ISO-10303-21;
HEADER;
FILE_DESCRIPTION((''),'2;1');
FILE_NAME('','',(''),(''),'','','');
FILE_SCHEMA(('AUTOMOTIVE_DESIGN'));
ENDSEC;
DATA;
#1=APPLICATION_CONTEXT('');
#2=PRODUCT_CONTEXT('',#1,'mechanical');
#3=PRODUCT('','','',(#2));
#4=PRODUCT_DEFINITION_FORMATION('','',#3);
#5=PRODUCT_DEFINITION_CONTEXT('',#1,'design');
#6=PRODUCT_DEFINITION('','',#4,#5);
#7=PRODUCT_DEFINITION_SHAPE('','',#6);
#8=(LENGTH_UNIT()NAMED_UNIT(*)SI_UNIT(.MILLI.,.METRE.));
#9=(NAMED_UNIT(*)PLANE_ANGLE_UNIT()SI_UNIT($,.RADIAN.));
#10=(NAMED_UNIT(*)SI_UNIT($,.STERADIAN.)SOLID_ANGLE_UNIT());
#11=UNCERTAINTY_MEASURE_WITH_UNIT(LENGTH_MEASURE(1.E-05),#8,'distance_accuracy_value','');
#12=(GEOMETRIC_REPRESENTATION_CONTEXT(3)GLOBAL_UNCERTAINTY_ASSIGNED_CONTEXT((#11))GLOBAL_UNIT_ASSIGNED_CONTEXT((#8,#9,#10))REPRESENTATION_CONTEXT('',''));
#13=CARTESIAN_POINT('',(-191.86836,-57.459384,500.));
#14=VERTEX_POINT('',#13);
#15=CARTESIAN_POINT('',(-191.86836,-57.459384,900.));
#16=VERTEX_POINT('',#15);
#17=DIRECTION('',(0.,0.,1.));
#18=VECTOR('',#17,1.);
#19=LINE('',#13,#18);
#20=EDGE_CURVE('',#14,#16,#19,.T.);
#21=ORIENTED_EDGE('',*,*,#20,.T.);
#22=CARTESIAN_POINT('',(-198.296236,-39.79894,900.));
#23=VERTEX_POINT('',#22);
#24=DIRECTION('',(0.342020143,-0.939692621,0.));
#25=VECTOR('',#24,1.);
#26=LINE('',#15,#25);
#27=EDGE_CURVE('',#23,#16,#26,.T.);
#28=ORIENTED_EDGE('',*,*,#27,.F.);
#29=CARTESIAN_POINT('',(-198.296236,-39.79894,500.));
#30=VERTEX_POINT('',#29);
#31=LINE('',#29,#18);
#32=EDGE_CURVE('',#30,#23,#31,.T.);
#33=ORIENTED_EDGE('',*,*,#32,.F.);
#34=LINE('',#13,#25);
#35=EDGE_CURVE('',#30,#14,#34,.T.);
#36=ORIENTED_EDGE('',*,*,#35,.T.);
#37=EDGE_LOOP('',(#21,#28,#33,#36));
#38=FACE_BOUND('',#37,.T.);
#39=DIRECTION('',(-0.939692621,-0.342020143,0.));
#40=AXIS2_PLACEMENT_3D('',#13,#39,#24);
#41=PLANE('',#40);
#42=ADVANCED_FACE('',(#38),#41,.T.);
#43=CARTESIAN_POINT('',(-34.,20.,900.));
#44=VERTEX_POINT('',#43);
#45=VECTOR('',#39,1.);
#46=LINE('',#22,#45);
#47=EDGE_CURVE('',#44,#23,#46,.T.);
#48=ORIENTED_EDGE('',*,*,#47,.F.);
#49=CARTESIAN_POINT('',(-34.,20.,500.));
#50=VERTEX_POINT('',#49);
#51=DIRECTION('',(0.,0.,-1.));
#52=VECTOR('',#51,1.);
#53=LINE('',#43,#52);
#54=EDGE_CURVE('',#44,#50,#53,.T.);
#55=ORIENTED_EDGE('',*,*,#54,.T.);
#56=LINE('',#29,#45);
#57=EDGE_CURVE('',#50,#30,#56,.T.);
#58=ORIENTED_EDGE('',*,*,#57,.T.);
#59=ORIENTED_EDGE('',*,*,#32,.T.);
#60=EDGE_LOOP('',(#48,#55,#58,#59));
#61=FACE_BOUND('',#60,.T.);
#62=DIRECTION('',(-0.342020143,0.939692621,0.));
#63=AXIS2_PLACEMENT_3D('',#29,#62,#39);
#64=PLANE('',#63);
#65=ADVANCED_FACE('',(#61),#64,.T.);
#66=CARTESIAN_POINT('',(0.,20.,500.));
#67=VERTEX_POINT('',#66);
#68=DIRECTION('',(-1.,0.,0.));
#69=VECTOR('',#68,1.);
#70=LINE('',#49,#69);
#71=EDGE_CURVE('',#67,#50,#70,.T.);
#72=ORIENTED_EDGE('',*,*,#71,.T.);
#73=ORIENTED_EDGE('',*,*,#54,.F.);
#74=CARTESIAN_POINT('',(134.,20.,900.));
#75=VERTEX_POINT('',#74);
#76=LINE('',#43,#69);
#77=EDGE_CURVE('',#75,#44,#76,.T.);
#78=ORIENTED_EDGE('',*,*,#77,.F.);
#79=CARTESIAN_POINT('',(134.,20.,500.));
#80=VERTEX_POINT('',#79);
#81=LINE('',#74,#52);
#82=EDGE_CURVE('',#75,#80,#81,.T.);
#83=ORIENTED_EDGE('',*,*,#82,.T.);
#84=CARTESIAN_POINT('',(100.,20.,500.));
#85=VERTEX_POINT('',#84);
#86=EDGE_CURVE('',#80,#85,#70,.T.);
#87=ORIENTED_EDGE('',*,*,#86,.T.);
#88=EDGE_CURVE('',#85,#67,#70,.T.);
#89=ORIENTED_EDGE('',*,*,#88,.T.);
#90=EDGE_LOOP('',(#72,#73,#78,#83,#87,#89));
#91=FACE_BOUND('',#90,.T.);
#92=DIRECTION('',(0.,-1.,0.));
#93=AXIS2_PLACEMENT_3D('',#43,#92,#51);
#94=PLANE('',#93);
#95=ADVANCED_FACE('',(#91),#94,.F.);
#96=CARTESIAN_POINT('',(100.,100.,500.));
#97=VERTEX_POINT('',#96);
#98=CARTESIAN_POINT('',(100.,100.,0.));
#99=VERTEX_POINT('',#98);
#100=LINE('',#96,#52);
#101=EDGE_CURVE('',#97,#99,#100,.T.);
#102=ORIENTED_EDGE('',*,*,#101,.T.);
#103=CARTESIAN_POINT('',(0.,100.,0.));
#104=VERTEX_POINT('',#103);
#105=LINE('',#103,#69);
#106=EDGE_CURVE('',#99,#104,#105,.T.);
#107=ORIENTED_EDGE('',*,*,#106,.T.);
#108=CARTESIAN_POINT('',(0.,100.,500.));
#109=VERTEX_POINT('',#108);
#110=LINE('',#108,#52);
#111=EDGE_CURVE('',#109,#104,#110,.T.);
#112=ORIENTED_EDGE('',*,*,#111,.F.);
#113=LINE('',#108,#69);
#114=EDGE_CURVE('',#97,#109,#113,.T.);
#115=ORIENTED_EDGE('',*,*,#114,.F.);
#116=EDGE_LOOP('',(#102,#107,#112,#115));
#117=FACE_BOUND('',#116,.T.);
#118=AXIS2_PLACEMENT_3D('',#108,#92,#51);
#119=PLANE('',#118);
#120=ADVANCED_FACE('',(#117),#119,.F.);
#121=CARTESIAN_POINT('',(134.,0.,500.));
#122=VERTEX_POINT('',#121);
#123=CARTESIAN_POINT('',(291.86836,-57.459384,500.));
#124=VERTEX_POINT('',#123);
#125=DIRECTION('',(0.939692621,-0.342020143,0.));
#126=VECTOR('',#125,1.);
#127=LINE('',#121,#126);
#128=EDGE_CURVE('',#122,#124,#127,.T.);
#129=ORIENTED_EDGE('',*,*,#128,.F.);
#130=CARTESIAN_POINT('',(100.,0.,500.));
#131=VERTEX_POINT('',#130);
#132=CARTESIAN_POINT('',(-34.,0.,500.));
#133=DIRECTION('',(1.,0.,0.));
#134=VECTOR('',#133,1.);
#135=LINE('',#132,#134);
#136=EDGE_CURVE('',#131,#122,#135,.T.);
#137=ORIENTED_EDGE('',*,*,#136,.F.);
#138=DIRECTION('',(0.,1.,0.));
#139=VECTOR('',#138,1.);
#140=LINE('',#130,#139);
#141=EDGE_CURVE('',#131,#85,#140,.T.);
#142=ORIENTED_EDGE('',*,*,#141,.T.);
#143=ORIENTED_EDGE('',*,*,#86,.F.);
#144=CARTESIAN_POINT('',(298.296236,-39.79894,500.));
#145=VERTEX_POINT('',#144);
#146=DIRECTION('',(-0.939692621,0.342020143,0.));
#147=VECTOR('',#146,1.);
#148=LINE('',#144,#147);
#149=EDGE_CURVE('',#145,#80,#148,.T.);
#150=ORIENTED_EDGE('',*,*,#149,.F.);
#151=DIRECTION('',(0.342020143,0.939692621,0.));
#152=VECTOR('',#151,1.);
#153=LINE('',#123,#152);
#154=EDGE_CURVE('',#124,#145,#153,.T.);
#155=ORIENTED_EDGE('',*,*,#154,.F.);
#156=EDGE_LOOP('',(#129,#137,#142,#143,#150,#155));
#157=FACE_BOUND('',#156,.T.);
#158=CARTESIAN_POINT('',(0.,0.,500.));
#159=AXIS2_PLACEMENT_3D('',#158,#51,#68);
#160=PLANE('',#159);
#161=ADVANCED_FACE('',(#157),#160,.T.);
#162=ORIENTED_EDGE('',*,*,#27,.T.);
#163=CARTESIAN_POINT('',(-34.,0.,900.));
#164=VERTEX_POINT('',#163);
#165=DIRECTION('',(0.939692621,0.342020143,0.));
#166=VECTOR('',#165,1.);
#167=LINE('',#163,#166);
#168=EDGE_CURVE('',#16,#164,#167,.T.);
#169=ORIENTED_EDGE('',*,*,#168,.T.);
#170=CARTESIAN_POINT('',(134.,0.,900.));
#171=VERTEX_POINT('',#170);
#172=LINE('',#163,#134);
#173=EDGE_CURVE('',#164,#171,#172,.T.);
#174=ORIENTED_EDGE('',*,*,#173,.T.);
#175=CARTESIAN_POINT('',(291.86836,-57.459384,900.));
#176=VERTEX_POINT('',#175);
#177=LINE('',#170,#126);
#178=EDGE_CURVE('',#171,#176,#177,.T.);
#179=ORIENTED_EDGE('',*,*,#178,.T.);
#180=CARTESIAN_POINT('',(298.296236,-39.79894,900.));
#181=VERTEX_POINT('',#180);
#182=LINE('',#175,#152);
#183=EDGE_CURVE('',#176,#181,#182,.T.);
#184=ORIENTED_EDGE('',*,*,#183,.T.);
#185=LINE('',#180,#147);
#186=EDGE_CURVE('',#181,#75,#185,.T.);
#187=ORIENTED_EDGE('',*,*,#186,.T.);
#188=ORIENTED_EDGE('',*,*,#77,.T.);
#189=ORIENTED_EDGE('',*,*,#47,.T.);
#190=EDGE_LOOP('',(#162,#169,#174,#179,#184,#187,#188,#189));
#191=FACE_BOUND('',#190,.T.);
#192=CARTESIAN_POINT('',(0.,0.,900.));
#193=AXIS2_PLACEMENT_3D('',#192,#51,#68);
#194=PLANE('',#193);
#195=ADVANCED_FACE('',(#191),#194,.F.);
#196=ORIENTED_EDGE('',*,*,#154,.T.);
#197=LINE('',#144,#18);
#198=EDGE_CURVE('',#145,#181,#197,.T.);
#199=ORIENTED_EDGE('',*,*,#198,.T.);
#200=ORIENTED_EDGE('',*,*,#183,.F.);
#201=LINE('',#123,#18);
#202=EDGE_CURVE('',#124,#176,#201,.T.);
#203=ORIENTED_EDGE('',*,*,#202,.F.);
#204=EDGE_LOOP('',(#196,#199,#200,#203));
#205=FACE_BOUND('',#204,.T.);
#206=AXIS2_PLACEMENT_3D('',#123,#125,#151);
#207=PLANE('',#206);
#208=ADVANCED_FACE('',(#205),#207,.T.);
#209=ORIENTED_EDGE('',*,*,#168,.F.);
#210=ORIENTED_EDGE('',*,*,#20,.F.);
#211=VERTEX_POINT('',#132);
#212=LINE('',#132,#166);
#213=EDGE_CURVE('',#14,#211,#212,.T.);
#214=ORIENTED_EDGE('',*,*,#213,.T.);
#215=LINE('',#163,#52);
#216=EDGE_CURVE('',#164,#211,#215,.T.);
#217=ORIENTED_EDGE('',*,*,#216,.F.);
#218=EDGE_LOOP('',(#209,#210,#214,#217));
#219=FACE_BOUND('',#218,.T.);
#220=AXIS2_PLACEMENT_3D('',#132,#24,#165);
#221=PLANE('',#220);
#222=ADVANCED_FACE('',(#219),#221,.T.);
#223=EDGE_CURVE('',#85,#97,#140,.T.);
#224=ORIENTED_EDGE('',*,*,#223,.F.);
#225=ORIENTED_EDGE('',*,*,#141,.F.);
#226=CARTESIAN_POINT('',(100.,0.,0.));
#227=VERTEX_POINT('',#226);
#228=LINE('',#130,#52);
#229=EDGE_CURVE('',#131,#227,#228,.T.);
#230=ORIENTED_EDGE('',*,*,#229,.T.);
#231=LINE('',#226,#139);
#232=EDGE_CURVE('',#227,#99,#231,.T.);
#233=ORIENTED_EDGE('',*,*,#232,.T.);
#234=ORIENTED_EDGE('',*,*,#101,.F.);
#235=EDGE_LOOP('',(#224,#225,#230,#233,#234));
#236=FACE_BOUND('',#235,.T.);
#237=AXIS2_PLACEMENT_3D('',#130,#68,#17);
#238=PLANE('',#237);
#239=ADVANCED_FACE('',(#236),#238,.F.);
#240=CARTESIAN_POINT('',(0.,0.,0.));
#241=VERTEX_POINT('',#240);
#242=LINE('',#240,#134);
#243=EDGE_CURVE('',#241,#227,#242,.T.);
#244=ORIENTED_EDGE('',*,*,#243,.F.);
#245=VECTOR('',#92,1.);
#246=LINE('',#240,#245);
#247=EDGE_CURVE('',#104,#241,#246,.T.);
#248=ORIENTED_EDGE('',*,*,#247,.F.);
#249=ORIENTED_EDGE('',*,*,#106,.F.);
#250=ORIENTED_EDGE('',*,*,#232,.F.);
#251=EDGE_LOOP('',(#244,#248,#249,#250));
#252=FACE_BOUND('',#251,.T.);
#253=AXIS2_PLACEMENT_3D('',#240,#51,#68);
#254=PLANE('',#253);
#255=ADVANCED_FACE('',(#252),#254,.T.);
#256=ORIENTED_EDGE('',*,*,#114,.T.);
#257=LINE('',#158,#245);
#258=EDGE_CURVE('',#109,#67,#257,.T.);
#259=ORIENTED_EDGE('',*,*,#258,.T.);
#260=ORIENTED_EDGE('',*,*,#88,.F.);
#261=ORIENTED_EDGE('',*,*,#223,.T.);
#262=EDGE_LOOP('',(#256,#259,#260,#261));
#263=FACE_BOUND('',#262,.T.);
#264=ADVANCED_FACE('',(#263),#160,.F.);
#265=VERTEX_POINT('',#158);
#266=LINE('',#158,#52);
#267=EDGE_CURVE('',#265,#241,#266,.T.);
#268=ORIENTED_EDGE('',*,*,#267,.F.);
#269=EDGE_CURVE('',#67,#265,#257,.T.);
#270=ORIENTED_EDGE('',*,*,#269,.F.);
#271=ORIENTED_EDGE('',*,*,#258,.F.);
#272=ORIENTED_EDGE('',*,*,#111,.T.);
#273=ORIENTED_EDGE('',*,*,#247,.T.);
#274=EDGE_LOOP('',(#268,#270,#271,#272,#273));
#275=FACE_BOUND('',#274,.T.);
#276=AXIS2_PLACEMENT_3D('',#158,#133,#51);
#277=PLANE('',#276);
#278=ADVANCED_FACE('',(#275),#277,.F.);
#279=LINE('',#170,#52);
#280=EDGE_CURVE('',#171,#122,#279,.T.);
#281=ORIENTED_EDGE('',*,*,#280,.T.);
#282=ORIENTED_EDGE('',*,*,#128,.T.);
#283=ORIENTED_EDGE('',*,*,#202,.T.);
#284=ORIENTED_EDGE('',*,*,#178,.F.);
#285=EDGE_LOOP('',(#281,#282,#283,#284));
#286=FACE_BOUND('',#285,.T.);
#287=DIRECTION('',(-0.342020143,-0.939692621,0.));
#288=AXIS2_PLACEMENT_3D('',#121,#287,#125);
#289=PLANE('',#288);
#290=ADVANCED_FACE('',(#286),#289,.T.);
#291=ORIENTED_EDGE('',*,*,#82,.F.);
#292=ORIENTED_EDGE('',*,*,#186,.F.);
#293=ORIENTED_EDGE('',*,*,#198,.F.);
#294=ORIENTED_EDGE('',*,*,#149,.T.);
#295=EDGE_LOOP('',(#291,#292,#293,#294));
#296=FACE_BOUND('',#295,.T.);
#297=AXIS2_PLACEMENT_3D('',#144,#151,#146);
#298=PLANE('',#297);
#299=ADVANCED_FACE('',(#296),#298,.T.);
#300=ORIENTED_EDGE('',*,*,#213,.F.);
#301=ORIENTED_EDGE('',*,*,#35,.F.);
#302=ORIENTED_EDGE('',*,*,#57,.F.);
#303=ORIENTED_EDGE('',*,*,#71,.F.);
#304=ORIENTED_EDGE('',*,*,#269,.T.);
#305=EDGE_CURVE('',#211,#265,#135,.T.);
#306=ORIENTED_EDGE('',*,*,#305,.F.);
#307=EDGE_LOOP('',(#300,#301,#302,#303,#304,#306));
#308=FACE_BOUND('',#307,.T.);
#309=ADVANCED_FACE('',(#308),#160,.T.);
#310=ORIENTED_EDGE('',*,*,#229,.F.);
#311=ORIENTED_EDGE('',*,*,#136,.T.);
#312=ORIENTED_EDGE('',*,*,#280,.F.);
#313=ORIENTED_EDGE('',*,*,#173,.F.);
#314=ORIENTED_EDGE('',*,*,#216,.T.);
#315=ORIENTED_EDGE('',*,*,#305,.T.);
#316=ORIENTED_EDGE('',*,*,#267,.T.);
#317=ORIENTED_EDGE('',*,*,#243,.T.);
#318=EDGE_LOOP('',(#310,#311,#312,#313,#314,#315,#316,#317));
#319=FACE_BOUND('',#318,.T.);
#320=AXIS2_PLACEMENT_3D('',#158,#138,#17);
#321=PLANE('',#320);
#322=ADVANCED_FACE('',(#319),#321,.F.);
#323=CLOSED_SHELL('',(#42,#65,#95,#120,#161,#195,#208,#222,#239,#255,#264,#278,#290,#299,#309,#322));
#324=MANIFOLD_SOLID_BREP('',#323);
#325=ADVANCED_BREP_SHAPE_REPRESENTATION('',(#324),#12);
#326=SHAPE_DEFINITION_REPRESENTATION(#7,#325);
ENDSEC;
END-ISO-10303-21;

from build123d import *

# Parameters (mm, degrees)
SKETCH1_W           = 100
SKETCH1_H           = 100
BOSS_EXTRUDE1_DEPTH = 500
SKETCH2_W           = 168
SKETCH2_H           = 20
BOSS_EXTRUDE2_DEPTH = 400
BOSS_EXTRUDE3_DEPTH = 400


with BuildPart() as part:
    # Sketch1 → Boss-Extrude1 (new body)
    with BuildSketch(Plane.XY):
        with Locations((50, 50)):
            Rectangle(SKETCH1_W, SKETCH1_H)
    extrude(amount=BOSS_EXTRUDE1_DEPTH)

    # Sketch2 → Boss-Extrude2 (add)
    with BuildSketch(Plane.XY.offset(500)):
        with Locations((50, 10)):
            Rectangle(SKETCH2_W, SKETCH2_H)
    extrude(amount=BOSS_EXTRUDE2_DEPTH)

    # Sketch3 → Boss-Extrude3 (add)
    with BuildSketch(Plane.XY.offset(900)):
        Polygon((134, 0), (291.868360292, -57.459384079), (298.296236389, -39.798939648), (134, 20), align=None)
        Polygon((-198.296236389, -39.798939648), (-34, 20), (-34, 0), (-191.868360292, -57.459384079), align=None)
    extrude(amount=-BOSS_EXTRUDE3_DEPTH)


solid = part.part
